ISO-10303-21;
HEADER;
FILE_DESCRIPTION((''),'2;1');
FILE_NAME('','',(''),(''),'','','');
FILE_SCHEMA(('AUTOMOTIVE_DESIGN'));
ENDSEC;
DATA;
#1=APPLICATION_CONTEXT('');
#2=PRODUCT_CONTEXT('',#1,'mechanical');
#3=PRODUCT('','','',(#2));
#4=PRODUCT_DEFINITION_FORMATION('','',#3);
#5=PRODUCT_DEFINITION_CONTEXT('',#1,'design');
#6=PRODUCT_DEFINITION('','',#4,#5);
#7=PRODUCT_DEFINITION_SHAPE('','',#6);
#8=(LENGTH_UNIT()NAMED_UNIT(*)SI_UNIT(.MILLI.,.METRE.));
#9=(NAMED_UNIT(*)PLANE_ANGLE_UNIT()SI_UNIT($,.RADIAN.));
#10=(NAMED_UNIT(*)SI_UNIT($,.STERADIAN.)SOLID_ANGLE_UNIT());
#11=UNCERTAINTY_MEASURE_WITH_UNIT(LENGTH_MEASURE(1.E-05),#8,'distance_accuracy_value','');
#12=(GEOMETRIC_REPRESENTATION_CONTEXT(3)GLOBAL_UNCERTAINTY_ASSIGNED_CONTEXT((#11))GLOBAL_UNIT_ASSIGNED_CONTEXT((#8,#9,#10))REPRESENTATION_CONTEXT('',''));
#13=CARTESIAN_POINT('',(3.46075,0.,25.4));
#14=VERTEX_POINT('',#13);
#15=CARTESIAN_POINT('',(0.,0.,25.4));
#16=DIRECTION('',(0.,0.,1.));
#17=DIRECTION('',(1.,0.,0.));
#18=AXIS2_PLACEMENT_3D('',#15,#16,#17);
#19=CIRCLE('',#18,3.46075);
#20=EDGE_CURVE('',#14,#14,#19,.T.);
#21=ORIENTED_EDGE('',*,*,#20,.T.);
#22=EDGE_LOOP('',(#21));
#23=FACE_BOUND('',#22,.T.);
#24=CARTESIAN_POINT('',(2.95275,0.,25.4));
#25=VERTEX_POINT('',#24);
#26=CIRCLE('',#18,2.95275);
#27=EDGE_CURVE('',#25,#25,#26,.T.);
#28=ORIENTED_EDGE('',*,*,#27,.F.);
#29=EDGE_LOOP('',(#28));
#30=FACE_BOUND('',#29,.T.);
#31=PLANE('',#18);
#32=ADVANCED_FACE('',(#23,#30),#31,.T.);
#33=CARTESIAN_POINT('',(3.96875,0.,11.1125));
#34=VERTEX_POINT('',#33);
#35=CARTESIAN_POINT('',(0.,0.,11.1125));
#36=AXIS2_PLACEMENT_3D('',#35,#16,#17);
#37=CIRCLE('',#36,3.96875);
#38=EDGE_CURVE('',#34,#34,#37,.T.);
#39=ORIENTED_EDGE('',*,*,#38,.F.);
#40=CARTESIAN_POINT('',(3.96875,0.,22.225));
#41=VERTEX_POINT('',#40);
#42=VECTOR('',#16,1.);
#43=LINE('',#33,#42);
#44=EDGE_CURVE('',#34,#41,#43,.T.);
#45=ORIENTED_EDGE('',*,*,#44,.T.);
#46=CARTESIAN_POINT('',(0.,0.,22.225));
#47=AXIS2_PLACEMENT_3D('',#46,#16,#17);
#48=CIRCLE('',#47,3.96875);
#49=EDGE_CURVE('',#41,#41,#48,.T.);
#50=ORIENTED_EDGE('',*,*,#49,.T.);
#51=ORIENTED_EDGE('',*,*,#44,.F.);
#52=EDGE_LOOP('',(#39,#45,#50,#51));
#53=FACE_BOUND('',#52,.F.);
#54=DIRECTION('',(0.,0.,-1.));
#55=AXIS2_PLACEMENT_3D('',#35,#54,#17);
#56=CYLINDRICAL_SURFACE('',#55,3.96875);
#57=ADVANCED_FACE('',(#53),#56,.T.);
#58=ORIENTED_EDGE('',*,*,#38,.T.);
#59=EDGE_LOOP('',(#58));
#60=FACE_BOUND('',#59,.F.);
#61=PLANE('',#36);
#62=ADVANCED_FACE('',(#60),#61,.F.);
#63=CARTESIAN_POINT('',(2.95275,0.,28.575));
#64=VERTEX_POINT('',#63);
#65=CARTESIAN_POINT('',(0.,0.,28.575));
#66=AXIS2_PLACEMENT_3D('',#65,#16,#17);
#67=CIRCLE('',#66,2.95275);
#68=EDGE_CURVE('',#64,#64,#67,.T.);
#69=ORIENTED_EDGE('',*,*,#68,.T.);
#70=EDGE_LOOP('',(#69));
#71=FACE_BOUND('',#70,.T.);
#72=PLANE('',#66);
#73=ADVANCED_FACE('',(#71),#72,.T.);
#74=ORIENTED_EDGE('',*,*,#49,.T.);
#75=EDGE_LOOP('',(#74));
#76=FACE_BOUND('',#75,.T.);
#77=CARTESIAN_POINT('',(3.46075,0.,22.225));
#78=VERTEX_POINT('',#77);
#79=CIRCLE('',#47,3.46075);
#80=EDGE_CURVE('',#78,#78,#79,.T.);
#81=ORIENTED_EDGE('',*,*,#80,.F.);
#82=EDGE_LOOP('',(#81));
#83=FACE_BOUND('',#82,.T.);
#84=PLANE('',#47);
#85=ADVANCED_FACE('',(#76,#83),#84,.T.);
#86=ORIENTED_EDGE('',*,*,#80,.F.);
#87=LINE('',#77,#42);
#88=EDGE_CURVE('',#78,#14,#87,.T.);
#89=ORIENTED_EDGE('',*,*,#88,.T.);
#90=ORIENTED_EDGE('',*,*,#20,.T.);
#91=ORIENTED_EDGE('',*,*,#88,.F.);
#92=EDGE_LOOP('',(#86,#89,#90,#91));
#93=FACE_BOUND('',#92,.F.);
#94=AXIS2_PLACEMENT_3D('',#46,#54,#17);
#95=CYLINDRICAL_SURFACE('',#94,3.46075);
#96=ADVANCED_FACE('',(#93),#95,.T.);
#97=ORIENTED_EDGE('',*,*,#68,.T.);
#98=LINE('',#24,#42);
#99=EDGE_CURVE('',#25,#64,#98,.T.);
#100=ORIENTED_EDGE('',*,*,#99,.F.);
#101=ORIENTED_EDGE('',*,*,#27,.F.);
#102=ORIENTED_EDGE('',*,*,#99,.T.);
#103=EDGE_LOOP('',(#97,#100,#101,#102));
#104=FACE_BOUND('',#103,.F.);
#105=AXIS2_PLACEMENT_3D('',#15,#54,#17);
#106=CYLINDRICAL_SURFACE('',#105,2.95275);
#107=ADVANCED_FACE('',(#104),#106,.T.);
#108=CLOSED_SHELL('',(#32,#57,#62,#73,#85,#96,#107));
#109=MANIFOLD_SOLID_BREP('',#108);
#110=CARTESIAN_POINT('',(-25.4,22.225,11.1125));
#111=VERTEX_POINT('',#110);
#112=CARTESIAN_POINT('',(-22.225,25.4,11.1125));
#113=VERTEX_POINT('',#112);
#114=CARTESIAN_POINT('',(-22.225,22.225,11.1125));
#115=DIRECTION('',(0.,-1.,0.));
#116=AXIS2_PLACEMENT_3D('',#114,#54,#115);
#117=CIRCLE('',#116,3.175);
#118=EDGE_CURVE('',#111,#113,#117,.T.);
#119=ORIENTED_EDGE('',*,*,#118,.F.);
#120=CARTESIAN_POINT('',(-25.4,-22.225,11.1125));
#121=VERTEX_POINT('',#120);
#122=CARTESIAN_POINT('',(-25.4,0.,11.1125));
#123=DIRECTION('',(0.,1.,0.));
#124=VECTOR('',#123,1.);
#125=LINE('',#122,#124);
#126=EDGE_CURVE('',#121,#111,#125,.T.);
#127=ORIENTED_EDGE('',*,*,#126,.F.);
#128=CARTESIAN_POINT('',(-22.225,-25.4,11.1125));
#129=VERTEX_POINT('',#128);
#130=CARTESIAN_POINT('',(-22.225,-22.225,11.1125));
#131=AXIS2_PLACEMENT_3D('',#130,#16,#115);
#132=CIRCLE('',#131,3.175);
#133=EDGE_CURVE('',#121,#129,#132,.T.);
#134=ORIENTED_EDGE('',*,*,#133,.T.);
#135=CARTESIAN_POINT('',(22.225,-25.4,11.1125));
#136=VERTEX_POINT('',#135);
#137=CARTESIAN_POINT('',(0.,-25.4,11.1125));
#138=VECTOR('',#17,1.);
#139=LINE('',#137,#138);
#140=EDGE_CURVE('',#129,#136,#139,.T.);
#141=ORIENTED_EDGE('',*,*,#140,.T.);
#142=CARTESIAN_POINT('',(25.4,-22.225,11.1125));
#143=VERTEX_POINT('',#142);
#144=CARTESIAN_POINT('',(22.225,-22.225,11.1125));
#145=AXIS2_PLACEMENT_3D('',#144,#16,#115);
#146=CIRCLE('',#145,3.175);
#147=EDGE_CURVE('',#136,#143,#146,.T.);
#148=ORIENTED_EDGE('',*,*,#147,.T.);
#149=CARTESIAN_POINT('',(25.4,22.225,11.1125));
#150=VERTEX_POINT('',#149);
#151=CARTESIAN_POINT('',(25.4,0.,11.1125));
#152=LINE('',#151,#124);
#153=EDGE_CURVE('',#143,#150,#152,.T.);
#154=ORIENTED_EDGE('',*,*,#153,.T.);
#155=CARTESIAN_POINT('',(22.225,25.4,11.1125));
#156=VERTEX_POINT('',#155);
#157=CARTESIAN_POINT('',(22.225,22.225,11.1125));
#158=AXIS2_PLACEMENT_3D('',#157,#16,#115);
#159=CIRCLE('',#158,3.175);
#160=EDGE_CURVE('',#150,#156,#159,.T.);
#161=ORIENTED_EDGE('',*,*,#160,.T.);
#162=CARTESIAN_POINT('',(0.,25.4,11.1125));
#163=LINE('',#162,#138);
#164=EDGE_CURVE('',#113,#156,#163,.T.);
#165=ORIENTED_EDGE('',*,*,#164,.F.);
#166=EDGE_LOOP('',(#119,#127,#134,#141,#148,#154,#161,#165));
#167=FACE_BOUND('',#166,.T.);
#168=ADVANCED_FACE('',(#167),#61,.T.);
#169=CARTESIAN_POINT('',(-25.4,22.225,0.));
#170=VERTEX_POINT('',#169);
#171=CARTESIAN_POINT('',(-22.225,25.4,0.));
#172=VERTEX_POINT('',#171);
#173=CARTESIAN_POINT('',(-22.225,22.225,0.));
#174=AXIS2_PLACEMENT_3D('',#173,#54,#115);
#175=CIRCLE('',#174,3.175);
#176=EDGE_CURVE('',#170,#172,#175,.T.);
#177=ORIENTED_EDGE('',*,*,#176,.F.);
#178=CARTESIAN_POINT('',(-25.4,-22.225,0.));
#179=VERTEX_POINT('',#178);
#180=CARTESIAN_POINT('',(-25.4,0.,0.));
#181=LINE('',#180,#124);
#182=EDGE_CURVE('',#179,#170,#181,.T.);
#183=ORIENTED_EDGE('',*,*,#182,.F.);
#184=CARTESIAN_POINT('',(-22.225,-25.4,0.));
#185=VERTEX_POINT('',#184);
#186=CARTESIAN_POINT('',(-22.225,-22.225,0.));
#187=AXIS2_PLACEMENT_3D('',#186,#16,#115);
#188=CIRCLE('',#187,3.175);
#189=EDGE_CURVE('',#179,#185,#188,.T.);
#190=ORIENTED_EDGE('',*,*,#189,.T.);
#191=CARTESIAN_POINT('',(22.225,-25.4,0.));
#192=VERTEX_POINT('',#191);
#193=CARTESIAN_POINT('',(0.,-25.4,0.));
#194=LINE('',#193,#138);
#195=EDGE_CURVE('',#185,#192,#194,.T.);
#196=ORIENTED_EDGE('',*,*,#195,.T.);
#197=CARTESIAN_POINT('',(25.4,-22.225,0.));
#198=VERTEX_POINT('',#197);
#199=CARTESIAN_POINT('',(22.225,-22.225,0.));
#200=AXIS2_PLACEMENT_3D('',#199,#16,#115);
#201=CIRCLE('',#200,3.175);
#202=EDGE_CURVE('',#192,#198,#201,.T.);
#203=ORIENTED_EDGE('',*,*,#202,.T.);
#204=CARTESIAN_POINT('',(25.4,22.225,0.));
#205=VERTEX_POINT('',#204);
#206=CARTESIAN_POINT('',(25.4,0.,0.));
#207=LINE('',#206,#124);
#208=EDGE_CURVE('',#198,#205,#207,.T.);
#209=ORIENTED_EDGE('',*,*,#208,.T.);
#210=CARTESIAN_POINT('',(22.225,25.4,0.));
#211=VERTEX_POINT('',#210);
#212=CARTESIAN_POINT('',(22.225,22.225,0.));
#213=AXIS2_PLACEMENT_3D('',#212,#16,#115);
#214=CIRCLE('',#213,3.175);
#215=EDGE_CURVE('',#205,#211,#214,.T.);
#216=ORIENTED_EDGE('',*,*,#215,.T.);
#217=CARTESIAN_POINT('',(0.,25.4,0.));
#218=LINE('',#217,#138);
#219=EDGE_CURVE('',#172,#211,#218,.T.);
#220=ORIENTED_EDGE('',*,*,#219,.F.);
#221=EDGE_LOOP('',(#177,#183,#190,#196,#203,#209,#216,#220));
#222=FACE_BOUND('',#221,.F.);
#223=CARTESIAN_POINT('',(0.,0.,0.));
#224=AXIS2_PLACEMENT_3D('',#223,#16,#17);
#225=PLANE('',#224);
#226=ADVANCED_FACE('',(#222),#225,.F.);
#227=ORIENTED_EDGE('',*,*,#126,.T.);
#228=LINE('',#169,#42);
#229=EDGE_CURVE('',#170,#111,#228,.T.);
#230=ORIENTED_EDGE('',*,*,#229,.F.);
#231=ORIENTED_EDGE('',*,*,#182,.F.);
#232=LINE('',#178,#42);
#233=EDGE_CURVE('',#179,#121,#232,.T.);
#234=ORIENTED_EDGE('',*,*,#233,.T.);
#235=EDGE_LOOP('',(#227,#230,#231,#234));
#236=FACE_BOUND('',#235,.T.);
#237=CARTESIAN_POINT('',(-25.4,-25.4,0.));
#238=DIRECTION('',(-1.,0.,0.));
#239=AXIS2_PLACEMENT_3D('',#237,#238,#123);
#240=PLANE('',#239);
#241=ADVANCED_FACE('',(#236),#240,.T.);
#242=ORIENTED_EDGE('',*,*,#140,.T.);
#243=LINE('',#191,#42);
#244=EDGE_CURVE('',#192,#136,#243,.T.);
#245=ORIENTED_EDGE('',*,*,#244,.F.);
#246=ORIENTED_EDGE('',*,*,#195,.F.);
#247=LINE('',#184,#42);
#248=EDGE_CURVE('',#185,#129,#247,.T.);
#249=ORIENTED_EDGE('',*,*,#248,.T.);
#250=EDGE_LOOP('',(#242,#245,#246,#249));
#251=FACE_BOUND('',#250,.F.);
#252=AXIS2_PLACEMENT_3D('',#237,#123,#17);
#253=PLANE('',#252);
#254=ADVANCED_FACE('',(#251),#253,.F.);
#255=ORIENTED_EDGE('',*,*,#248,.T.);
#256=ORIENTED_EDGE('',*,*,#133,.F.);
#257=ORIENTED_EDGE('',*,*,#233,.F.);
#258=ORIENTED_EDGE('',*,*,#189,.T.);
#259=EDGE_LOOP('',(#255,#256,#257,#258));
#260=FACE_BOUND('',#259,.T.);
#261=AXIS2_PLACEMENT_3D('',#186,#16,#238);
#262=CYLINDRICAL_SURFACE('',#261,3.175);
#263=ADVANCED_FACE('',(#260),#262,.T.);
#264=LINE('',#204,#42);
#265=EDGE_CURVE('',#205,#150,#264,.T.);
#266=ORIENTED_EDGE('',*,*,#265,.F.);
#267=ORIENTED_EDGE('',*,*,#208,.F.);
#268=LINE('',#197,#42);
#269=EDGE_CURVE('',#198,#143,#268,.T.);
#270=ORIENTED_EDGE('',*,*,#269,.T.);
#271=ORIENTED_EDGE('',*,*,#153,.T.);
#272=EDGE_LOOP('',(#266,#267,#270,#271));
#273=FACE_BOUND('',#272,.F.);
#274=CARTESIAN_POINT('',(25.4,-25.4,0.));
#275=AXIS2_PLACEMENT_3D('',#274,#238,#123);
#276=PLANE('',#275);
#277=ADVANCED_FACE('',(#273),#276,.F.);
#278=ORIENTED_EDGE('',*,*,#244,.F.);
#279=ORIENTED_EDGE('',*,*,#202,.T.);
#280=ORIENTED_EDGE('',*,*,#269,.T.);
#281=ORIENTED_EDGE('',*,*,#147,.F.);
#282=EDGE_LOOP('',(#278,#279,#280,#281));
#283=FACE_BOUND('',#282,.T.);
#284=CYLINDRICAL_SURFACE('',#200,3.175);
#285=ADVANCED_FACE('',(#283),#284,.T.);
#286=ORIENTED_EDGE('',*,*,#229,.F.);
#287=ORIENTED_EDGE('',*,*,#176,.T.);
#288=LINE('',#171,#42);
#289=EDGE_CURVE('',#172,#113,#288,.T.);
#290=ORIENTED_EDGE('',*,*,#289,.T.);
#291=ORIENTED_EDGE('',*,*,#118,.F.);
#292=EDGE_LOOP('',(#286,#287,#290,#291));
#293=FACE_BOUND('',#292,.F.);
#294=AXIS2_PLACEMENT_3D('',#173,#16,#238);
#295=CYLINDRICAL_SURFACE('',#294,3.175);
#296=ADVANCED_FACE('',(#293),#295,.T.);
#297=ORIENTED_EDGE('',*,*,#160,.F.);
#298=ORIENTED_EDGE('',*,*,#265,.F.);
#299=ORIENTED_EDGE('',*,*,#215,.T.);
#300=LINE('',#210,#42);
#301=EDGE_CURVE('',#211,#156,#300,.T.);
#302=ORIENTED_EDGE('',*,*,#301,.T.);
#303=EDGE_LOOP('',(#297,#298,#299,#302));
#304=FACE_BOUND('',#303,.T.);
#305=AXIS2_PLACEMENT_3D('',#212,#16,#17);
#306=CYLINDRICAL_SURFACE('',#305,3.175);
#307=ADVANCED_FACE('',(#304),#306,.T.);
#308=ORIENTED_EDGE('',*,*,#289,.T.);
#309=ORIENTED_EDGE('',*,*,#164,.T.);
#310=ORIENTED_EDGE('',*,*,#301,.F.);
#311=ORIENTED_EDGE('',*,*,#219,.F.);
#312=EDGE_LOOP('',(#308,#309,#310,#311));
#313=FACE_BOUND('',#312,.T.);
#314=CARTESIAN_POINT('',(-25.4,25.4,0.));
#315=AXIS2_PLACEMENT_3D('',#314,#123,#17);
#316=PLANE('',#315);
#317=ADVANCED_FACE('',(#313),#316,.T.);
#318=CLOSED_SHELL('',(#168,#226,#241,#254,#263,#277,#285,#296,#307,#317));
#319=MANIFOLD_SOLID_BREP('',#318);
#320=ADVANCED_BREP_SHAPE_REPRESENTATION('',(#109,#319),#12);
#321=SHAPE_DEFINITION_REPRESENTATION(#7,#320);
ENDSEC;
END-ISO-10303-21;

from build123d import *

# Parameters (mm, degrees)
F0_W     = 50.8
F0_H     = 50.8
F1_DEPTH = 11.1125
F2_R     = 3.175
F3_R     = 3.96875
F4_DEPTH = 11.1125
F5_R     = 3.46075
F6_DEPTH = 3.175
F7_R     = 2.95275
F8_DEPTH = 3.175


with BuildPart() as f1:
    # F0 (on Top) → F1 (new body)
    with BuildSketch(Plane.XY):
        Rectangle(F0_W, F0_H)
    extrude(amount=F1_DEPTH)

    # F2
    f2_edges = [f1.edges().sort_by_distance(p)[0] for p in [
        (25.4, -25.4, 5.55625),
        (25.4, 25.4, 5.55625),
        (-25.4, -25.4, 5.55625),
        (-25.4, 25.4, 5.55625),
    ]]
    fillet(f2_edges, radius=F2_R)


with BuildPart() as f4:
    # F3 (on face) → F4 (new body)
    with BuildSketch(Plane.XY.offset(11.1125)):
        Circle(F3_R)
    extrude(amount=F4_DEPTH)

    # F5 (on face) → F6 (join)
    with BuildSketch(Plane.XY.offset(22.225)):
        Circle(F5_R)
    extrude(amount=F6_DEPTH)

    # F7 (on face) → F8 (join)
    with BuildSketch(Plane.XY.offset(25.4)):
        Circle(F7_R)
    extrude(amount=F8_DEPTH)


solid = Compound([f1.part, f4.part])
